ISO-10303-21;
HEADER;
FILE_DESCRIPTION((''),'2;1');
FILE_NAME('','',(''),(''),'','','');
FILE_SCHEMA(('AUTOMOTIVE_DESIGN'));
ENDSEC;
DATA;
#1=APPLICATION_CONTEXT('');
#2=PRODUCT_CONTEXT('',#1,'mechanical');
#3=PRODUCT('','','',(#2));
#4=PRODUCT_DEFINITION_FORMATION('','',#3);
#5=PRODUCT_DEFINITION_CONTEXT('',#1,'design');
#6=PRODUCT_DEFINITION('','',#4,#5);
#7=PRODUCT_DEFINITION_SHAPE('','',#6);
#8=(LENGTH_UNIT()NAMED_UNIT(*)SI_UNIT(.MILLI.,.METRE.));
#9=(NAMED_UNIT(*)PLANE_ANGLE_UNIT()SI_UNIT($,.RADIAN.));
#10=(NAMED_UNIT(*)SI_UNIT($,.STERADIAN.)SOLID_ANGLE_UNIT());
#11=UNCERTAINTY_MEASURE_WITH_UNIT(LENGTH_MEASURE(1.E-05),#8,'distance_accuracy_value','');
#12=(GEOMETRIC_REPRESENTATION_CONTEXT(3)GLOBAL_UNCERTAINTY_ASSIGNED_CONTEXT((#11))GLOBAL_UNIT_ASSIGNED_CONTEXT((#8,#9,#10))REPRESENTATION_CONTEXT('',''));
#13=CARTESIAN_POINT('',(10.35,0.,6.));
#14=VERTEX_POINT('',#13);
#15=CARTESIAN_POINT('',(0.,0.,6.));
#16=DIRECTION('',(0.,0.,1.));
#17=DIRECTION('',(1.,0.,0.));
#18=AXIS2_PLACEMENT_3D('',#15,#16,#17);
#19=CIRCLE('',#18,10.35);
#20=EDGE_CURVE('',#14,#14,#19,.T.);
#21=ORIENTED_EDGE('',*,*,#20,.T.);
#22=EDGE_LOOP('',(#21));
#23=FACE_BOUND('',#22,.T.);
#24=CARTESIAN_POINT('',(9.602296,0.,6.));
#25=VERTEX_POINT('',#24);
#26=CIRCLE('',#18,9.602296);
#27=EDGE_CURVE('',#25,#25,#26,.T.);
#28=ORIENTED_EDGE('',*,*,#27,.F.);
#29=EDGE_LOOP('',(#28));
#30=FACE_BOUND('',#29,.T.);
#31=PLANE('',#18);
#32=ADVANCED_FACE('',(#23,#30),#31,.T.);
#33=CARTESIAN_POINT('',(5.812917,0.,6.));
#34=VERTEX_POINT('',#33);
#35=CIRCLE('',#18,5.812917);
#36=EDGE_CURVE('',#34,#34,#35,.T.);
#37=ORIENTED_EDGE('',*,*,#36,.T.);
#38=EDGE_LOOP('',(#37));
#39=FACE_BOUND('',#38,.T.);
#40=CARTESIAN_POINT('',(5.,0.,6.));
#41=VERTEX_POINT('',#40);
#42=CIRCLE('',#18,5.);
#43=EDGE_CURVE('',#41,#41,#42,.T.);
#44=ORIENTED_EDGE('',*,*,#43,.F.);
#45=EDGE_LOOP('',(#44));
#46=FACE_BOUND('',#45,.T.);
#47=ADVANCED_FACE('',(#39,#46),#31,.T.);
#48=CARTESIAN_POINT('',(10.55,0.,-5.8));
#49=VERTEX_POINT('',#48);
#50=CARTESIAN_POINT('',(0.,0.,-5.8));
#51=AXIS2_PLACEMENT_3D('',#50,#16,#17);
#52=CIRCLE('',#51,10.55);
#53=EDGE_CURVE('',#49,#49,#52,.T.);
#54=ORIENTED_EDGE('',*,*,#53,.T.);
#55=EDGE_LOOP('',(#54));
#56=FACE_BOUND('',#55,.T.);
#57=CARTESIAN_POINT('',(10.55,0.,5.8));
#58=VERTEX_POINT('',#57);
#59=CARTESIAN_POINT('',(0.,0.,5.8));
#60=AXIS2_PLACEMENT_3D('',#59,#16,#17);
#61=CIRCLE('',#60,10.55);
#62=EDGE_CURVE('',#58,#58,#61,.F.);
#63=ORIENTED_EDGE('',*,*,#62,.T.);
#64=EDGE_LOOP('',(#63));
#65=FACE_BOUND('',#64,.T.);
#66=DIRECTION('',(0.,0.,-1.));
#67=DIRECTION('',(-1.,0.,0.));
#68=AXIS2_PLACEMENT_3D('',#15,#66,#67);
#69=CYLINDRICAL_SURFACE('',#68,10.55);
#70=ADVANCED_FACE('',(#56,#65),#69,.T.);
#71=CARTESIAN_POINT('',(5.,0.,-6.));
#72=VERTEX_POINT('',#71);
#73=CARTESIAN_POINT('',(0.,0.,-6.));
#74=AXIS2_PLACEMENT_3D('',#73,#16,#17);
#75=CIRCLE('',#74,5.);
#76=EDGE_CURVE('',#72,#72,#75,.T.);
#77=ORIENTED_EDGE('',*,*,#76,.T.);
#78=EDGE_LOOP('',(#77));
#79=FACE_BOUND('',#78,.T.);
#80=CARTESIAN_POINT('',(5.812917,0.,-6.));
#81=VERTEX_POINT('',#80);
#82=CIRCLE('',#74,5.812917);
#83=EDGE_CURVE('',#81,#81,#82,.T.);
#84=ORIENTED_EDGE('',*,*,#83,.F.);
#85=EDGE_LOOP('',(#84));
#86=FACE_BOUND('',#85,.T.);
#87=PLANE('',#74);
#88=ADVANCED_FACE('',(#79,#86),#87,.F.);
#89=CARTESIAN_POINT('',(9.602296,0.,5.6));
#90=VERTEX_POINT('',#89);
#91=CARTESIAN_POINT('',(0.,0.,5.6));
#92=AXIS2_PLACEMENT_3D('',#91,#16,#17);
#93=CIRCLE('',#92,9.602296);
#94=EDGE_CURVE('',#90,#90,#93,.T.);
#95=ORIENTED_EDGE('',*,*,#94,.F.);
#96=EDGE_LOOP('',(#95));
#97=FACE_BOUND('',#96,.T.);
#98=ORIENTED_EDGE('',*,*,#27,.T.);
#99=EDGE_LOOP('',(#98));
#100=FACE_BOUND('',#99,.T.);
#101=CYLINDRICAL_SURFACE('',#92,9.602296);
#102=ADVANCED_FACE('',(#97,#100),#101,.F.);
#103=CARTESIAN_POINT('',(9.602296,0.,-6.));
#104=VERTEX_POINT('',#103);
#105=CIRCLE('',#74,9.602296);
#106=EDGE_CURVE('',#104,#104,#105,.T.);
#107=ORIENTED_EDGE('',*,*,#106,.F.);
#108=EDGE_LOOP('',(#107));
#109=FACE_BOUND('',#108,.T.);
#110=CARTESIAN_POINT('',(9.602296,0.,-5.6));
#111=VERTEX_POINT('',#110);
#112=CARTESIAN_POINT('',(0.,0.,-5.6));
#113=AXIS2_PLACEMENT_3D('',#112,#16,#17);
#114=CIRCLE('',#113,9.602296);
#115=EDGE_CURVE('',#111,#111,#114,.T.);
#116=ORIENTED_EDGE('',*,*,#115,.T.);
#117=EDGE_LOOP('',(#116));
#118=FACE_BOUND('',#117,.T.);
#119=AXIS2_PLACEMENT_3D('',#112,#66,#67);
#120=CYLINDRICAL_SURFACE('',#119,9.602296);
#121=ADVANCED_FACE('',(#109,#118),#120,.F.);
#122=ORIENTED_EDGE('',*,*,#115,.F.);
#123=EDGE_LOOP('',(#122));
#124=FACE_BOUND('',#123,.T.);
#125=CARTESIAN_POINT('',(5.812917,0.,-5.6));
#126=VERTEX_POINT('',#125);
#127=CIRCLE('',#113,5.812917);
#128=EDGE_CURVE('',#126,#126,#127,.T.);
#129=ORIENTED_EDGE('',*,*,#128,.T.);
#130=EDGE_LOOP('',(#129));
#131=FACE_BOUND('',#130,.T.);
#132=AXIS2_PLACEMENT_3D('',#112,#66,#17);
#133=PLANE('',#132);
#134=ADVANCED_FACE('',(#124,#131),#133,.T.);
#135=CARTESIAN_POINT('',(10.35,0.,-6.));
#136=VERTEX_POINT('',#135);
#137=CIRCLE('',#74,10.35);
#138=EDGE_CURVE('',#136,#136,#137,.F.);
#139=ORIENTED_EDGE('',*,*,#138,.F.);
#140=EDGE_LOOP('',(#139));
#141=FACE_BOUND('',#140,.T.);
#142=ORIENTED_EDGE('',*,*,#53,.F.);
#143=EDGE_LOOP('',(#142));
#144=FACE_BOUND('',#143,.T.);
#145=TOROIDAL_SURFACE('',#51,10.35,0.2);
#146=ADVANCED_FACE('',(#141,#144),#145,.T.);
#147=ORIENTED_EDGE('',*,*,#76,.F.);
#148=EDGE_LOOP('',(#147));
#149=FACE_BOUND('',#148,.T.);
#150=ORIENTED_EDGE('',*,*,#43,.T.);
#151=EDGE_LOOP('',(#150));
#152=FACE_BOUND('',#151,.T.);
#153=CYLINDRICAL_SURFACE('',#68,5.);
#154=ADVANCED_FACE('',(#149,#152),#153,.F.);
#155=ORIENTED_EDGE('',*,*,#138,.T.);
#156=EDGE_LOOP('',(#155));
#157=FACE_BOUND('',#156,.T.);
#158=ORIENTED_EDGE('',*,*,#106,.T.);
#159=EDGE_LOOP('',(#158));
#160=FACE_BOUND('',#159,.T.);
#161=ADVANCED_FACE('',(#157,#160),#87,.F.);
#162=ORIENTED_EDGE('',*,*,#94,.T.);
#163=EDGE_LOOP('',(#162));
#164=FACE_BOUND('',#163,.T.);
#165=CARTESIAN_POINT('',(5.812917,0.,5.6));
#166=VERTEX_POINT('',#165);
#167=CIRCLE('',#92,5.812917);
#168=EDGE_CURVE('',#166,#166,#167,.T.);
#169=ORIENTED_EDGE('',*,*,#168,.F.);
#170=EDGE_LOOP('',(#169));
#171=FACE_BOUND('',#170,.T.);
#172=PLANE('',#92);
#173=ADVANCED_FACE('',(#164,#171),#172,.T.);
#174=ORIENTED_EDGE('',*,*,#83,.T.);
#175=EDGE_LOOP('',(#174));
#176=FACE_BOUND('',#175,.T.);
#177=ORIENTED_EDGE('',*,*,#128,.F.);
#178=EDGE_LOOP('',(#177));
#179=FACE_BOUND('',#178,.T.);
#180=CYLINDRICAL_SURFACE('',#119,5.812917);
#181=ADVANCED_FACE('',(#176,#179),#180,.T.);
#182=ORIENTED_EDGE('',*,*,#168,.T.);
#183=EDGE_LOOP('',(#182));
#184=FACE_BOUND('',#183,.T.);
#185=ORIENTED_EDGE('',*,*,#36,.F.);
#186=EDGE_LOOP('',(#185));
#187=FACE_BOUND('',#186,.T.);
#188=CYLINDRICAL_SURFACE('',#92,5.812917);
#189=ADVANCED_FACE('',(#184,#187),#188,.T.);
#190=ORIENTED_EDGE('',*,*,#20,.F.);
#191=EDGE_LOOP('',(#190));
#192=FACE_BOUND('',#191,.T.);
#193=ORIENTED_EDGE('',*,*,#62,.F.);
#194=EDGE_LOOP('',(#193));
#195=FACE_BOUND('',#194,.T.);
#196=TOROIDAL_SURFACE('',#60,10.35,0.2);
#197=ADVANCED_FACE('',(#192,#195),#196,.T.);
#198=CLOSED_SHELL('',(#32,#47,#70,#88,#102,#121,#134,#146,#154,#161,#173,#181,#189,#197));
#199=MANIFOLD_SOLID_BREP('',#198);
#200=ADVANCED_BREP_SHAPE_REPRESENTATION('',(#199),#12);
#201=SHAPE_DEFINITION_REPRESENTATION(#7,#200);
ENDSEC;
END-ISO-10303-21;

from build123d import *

# Parameters (mm, degrees)
SKETCH1_R           = 10.55
SKETCH1_R_2         = 5
BOSS_EXTRUDE1_DEPTH = 6
FILLET1_R           = 0.2
SKETCH3_R           = 9.602296017
SKETCH3_R_2         = 5.812916565
CUT_EXTRUDE1_DEPTH  = 0.4


with BuildPart() as part:
    # Sketch1 → Boss-Extrude1 (new, symmetric)
    with BuildSketch(Plane.XY):
        Circle(SKETCH1_R)
        Circle(SKETCH1_R_2, mode=Mode.SUBTRACT)
    extrude(amount=BOSS_EXTRUDE1_DEPTH, both=True)

    # Fillet1
    fillet1_edges = [part.edges().sort_by_distance(p)[0] for p in [
        (-10.55, 0, -6),
        (-10.55, 0, 6),
    ]]
    fillet(fillet1_edges, radius=FILLET1_R)

    # Sketch3 → Cut-Extrude1 (cut)
    with BuildSketch(Plane.XY.offset(6)):
        Circle(SKETCH3_R)
        Circle(SKETCH3_R_2, mode=Mode.SUBTRACT)
    cut_extrude1 = extrude(amount=-CUT_EXTRUDE1_DEPTH, mode=Mode.SUBTRACT)

    # Mirror1: Cut-Extrude1 across plane
    add(cut_extrude1.mirror(Plane.XY), mode=Mode.SUBTRACT)


solid = part.part
